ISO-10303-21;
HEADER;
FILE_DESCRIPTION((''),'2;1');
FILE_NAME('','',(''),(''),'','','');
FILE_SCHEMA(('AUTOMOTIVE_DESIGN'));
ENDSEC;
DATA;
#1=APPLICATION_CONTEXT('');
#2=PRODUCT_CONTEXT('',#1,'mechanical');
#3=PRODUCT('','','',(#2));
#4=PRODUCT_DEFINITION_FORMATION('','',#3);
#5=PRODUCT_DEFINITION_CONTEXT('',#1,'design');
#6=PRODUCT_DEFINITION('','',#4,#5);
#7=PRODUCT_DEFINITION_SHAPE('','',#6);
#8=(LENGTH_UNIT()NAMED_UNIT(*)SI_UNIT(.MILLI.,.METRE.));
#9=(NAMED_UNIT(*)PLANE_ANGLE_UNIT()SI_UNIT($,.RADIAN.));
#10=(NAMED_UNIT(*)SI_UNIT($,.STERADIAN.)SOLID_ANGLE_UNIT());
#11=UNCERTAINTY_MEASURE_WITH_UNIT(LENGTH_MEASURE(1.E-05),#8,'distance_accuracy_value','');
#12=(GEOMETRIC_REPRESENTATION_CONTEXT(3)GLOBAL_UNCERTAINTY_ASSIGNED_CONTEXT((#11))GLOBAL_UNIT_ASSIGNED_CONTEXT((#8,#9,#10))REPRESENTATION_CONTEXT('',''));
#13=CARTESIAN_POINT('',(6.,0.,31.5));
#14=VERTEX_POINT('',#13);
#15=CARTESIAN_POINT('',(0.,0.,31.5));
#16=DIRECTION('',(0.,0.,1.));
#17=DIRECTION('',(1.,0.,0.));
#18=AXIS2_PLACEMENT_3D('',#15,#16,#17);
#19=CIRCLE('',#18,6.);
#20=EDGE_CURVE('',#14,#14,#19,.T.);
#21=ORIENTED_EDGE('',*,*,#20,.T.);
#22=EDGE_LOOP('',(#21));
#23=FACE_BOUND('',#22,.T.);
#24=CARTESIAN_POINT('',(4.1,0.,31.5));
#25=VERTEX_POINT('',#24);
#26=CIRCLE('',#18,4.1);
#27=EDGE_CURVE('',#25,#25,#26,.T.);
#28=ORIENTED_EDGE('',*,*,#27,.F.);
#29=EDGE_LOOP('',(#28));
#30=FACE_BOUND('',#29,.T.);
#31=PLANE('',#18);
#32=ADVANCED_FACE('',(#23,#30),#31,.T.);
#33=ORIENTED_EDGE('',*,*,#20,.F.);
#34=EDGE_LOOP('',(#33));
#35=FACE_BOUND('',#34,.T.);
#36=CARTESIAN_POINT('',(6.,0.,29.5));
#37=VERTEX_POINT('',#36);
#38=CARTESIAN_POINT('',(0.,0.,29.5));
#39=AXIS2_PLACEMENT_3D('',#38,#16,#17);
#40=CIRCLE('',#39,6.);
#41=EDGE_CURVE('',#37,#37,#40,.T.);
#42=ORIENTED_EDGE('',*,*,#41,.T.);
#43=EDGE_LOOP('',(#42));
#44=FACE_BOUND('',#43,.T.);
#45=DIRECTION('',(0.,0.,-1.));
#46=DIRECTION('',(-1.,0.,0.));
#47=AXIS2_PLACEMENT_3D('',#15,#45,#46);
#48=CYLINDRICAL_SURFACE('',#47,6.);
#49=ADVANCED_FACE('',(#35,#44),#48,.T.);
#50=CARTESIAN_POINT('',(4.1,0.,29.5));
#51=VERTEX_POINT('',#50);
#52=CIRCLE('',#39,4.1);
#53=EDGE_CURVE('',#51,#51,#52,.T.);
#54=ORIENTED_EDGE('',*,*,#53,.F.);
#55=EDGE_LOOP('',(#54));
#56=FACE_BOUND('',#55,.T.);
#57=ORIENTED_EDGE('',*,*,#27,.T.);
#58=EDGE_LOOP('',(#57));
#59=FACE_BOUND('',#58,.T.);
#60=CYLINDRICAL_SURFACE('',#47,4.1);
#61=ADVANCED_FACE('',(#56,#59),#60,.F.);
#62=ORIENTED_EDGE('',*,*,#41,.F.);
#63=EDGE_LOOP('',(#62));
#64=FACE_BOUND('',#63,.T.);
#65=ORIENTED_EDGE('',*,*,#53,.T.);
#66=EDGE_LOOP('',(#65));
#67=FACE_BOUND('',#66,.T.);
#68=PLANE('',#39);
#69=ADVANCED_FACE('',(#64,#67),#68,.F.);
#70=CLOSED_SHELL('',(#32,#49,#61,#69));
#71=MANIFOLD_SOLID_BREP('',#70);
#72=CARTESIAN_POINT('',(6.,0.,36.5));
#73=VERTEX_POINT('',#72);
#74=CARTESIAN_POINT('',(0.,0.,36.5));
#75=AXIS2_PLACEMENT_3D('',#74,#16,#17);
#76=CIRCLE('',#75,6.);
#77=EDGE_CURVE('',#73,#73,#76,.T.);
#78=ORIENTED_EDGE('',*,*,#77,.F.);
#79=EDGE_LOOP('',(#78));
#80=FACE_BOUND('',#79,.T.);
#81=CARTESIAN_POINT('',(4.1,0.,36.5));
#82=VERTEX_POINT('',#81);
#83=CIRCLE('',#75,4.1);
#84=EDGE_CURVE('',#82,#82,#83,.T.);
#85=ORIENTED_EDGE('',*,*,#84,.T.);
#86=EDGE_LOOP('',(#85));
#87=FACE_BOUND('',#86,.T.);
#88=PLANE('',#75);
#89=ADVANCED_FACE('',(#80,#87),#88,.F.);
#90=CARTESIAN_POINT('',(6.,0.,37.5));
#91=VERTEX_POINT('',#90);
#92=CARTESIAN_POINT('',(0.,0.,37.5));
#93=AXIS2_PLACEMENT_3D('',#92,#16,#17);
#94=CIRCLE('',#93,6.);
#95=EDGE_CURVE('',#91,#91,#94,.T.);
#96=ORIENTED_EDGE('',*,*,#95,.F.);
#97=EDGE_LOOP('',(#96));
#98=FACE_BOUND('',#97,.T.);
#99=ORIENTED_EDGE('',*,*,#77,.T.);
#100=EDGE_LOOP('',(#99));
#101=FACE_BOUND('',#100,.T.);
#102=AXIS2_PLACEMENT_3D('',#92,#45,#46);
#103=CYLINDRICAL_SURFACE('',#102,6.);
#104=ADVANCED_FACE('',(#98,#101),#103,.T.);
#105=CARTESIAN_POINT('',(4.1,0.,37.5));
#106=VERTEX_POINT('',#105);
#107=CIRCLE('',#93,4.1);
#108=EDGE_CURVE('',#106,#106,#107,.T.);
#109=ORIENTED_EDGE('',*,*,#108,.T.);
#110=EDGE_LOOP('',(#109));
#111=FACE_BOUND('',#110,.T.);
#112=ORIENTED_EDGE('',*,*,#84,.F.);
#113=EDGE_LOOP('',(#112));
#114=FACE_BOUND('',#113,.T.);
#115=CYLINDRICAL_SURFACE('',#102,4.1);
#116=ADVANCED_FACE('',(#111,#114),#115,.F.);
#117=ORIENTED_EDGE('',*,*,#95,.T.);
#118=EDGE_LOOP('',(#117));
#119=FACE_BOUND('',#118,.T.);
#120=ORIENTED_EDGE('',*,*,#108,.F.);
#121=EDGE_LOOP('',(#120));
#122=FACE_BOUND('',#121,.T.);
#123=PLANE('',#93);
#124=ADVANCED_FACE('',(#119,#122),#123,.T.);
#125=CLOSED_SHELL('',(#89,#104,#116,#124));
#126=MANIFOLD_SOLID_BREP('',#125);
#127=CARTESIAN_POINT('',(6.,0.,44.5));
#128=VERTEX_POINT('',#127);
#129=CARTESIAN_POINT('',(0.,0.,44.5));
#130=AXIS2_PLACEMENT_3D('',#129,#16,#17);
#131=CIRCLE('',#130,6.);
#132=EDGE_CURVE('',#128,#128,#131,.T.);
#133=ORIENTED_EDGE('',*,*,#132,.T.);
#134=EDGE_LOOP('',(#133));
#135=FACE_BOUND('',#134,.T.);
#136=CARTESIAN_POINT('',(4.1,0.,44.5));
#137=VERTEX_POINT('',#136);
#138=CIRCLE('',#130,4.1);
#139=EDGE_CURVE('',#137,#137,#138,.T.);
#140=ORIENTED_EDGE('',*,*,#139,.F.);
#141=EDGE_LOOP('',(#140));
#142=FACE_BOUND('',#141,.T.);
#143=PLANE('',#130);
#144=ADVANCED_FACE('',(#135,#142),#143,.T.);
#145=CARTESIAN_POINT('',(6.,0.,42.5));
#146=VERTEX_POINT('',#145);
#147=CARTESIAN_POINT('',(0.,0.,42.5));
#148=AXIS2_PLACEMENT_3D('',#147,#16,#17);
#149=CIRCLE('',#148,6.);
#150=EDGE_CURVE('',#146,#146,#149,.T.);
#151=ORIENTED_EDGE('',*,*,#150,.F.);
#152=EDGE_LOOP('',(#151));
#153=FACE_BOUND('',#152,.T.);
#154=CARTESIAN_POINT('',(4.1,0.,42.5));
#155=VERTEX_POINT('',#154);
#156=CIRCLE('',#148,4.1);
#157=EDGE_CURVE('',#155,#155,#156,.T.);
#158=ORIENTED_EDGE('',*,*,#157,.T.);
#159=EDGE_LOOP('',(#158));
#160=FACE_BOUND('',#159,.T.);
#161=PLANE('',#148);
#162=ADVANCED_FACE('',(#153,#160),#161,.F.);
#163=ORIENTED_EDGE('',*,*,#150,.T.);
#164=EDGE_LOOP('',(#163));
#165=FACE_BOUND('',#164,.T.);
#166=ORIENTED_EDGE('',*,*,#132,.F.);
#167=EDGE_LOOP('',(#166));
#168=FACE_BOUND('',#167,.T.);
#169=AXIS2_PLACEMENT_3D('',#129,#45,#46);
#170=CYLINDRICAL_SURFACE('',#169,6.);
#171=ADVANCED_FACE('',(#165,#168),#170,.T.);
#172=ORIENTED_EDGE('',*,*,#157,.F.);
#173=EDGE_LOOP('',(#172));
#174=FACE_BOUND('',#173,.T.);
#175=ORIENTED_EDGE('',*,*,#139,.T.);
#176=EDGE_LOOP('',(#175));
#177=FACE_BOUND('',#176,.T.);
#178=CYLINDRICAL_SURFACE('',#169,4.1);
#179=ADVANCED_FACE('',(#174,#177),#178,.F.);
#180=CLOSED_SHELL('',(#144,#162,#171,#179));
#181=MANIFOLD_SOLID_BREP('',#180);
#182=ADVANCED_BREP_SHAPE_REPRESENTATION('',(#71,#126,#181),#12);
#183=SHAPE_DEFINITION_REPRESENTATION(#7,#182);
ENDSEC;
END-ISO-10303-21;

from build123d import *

# Parameters (mm, degrees)
REAR_START   = 29.5
SKETCH_1_R   = 6
SKETCH_1_R_2 = 4.1
REAR_DEPTH   = 2
MIDDLE_START = 36.5
SKETCH_2_R   = 6
SKETCH_2_R_2 = 4.1
MIDDLE_DEPTH = 1
FRONT_START  = 42.5
SKETCH_3_R   = 6
SKETCH_3_R_2 = 4.1
FRONT_DEPTH  = 2


with BuildPart() as part:
    # Эскиз1 → Rear (new body)
    with BuildSketch(Plane.XY.offset(REAR_START)):
        Circle(SKETCH_1_R)
        Circle(SKETCH_1_R_2, mode=Mode.SUBTRACT)
    extrude(amount=REAR_DEPTH)


with BuildPart() as body_2:
    # Эскиз2 → Middle (new body)
    with BuildSketch(Plane.XY.offset(MIDDLE_START)):
        Circle(SKETCH_2_R)
        Circle(SKETCH_2_R_2, mode=Mode.SUBTRACT)
    extrude(amount=MIDDLE_DEPTH)


with BuildPart() as body_3:
    # Эскиз3 → Front (new body)
    with BuildSketch(Plane.XY.offset(FRONT_START)):
        Circle(SKETCH_3_R)
        Circle(SKETCH_3_R_2, mode=Mode.SUBTRACT)
    extrude(amount=FRONT_DEPTH)


solid = Compound([part.part, body_2.part, body_3.part])
